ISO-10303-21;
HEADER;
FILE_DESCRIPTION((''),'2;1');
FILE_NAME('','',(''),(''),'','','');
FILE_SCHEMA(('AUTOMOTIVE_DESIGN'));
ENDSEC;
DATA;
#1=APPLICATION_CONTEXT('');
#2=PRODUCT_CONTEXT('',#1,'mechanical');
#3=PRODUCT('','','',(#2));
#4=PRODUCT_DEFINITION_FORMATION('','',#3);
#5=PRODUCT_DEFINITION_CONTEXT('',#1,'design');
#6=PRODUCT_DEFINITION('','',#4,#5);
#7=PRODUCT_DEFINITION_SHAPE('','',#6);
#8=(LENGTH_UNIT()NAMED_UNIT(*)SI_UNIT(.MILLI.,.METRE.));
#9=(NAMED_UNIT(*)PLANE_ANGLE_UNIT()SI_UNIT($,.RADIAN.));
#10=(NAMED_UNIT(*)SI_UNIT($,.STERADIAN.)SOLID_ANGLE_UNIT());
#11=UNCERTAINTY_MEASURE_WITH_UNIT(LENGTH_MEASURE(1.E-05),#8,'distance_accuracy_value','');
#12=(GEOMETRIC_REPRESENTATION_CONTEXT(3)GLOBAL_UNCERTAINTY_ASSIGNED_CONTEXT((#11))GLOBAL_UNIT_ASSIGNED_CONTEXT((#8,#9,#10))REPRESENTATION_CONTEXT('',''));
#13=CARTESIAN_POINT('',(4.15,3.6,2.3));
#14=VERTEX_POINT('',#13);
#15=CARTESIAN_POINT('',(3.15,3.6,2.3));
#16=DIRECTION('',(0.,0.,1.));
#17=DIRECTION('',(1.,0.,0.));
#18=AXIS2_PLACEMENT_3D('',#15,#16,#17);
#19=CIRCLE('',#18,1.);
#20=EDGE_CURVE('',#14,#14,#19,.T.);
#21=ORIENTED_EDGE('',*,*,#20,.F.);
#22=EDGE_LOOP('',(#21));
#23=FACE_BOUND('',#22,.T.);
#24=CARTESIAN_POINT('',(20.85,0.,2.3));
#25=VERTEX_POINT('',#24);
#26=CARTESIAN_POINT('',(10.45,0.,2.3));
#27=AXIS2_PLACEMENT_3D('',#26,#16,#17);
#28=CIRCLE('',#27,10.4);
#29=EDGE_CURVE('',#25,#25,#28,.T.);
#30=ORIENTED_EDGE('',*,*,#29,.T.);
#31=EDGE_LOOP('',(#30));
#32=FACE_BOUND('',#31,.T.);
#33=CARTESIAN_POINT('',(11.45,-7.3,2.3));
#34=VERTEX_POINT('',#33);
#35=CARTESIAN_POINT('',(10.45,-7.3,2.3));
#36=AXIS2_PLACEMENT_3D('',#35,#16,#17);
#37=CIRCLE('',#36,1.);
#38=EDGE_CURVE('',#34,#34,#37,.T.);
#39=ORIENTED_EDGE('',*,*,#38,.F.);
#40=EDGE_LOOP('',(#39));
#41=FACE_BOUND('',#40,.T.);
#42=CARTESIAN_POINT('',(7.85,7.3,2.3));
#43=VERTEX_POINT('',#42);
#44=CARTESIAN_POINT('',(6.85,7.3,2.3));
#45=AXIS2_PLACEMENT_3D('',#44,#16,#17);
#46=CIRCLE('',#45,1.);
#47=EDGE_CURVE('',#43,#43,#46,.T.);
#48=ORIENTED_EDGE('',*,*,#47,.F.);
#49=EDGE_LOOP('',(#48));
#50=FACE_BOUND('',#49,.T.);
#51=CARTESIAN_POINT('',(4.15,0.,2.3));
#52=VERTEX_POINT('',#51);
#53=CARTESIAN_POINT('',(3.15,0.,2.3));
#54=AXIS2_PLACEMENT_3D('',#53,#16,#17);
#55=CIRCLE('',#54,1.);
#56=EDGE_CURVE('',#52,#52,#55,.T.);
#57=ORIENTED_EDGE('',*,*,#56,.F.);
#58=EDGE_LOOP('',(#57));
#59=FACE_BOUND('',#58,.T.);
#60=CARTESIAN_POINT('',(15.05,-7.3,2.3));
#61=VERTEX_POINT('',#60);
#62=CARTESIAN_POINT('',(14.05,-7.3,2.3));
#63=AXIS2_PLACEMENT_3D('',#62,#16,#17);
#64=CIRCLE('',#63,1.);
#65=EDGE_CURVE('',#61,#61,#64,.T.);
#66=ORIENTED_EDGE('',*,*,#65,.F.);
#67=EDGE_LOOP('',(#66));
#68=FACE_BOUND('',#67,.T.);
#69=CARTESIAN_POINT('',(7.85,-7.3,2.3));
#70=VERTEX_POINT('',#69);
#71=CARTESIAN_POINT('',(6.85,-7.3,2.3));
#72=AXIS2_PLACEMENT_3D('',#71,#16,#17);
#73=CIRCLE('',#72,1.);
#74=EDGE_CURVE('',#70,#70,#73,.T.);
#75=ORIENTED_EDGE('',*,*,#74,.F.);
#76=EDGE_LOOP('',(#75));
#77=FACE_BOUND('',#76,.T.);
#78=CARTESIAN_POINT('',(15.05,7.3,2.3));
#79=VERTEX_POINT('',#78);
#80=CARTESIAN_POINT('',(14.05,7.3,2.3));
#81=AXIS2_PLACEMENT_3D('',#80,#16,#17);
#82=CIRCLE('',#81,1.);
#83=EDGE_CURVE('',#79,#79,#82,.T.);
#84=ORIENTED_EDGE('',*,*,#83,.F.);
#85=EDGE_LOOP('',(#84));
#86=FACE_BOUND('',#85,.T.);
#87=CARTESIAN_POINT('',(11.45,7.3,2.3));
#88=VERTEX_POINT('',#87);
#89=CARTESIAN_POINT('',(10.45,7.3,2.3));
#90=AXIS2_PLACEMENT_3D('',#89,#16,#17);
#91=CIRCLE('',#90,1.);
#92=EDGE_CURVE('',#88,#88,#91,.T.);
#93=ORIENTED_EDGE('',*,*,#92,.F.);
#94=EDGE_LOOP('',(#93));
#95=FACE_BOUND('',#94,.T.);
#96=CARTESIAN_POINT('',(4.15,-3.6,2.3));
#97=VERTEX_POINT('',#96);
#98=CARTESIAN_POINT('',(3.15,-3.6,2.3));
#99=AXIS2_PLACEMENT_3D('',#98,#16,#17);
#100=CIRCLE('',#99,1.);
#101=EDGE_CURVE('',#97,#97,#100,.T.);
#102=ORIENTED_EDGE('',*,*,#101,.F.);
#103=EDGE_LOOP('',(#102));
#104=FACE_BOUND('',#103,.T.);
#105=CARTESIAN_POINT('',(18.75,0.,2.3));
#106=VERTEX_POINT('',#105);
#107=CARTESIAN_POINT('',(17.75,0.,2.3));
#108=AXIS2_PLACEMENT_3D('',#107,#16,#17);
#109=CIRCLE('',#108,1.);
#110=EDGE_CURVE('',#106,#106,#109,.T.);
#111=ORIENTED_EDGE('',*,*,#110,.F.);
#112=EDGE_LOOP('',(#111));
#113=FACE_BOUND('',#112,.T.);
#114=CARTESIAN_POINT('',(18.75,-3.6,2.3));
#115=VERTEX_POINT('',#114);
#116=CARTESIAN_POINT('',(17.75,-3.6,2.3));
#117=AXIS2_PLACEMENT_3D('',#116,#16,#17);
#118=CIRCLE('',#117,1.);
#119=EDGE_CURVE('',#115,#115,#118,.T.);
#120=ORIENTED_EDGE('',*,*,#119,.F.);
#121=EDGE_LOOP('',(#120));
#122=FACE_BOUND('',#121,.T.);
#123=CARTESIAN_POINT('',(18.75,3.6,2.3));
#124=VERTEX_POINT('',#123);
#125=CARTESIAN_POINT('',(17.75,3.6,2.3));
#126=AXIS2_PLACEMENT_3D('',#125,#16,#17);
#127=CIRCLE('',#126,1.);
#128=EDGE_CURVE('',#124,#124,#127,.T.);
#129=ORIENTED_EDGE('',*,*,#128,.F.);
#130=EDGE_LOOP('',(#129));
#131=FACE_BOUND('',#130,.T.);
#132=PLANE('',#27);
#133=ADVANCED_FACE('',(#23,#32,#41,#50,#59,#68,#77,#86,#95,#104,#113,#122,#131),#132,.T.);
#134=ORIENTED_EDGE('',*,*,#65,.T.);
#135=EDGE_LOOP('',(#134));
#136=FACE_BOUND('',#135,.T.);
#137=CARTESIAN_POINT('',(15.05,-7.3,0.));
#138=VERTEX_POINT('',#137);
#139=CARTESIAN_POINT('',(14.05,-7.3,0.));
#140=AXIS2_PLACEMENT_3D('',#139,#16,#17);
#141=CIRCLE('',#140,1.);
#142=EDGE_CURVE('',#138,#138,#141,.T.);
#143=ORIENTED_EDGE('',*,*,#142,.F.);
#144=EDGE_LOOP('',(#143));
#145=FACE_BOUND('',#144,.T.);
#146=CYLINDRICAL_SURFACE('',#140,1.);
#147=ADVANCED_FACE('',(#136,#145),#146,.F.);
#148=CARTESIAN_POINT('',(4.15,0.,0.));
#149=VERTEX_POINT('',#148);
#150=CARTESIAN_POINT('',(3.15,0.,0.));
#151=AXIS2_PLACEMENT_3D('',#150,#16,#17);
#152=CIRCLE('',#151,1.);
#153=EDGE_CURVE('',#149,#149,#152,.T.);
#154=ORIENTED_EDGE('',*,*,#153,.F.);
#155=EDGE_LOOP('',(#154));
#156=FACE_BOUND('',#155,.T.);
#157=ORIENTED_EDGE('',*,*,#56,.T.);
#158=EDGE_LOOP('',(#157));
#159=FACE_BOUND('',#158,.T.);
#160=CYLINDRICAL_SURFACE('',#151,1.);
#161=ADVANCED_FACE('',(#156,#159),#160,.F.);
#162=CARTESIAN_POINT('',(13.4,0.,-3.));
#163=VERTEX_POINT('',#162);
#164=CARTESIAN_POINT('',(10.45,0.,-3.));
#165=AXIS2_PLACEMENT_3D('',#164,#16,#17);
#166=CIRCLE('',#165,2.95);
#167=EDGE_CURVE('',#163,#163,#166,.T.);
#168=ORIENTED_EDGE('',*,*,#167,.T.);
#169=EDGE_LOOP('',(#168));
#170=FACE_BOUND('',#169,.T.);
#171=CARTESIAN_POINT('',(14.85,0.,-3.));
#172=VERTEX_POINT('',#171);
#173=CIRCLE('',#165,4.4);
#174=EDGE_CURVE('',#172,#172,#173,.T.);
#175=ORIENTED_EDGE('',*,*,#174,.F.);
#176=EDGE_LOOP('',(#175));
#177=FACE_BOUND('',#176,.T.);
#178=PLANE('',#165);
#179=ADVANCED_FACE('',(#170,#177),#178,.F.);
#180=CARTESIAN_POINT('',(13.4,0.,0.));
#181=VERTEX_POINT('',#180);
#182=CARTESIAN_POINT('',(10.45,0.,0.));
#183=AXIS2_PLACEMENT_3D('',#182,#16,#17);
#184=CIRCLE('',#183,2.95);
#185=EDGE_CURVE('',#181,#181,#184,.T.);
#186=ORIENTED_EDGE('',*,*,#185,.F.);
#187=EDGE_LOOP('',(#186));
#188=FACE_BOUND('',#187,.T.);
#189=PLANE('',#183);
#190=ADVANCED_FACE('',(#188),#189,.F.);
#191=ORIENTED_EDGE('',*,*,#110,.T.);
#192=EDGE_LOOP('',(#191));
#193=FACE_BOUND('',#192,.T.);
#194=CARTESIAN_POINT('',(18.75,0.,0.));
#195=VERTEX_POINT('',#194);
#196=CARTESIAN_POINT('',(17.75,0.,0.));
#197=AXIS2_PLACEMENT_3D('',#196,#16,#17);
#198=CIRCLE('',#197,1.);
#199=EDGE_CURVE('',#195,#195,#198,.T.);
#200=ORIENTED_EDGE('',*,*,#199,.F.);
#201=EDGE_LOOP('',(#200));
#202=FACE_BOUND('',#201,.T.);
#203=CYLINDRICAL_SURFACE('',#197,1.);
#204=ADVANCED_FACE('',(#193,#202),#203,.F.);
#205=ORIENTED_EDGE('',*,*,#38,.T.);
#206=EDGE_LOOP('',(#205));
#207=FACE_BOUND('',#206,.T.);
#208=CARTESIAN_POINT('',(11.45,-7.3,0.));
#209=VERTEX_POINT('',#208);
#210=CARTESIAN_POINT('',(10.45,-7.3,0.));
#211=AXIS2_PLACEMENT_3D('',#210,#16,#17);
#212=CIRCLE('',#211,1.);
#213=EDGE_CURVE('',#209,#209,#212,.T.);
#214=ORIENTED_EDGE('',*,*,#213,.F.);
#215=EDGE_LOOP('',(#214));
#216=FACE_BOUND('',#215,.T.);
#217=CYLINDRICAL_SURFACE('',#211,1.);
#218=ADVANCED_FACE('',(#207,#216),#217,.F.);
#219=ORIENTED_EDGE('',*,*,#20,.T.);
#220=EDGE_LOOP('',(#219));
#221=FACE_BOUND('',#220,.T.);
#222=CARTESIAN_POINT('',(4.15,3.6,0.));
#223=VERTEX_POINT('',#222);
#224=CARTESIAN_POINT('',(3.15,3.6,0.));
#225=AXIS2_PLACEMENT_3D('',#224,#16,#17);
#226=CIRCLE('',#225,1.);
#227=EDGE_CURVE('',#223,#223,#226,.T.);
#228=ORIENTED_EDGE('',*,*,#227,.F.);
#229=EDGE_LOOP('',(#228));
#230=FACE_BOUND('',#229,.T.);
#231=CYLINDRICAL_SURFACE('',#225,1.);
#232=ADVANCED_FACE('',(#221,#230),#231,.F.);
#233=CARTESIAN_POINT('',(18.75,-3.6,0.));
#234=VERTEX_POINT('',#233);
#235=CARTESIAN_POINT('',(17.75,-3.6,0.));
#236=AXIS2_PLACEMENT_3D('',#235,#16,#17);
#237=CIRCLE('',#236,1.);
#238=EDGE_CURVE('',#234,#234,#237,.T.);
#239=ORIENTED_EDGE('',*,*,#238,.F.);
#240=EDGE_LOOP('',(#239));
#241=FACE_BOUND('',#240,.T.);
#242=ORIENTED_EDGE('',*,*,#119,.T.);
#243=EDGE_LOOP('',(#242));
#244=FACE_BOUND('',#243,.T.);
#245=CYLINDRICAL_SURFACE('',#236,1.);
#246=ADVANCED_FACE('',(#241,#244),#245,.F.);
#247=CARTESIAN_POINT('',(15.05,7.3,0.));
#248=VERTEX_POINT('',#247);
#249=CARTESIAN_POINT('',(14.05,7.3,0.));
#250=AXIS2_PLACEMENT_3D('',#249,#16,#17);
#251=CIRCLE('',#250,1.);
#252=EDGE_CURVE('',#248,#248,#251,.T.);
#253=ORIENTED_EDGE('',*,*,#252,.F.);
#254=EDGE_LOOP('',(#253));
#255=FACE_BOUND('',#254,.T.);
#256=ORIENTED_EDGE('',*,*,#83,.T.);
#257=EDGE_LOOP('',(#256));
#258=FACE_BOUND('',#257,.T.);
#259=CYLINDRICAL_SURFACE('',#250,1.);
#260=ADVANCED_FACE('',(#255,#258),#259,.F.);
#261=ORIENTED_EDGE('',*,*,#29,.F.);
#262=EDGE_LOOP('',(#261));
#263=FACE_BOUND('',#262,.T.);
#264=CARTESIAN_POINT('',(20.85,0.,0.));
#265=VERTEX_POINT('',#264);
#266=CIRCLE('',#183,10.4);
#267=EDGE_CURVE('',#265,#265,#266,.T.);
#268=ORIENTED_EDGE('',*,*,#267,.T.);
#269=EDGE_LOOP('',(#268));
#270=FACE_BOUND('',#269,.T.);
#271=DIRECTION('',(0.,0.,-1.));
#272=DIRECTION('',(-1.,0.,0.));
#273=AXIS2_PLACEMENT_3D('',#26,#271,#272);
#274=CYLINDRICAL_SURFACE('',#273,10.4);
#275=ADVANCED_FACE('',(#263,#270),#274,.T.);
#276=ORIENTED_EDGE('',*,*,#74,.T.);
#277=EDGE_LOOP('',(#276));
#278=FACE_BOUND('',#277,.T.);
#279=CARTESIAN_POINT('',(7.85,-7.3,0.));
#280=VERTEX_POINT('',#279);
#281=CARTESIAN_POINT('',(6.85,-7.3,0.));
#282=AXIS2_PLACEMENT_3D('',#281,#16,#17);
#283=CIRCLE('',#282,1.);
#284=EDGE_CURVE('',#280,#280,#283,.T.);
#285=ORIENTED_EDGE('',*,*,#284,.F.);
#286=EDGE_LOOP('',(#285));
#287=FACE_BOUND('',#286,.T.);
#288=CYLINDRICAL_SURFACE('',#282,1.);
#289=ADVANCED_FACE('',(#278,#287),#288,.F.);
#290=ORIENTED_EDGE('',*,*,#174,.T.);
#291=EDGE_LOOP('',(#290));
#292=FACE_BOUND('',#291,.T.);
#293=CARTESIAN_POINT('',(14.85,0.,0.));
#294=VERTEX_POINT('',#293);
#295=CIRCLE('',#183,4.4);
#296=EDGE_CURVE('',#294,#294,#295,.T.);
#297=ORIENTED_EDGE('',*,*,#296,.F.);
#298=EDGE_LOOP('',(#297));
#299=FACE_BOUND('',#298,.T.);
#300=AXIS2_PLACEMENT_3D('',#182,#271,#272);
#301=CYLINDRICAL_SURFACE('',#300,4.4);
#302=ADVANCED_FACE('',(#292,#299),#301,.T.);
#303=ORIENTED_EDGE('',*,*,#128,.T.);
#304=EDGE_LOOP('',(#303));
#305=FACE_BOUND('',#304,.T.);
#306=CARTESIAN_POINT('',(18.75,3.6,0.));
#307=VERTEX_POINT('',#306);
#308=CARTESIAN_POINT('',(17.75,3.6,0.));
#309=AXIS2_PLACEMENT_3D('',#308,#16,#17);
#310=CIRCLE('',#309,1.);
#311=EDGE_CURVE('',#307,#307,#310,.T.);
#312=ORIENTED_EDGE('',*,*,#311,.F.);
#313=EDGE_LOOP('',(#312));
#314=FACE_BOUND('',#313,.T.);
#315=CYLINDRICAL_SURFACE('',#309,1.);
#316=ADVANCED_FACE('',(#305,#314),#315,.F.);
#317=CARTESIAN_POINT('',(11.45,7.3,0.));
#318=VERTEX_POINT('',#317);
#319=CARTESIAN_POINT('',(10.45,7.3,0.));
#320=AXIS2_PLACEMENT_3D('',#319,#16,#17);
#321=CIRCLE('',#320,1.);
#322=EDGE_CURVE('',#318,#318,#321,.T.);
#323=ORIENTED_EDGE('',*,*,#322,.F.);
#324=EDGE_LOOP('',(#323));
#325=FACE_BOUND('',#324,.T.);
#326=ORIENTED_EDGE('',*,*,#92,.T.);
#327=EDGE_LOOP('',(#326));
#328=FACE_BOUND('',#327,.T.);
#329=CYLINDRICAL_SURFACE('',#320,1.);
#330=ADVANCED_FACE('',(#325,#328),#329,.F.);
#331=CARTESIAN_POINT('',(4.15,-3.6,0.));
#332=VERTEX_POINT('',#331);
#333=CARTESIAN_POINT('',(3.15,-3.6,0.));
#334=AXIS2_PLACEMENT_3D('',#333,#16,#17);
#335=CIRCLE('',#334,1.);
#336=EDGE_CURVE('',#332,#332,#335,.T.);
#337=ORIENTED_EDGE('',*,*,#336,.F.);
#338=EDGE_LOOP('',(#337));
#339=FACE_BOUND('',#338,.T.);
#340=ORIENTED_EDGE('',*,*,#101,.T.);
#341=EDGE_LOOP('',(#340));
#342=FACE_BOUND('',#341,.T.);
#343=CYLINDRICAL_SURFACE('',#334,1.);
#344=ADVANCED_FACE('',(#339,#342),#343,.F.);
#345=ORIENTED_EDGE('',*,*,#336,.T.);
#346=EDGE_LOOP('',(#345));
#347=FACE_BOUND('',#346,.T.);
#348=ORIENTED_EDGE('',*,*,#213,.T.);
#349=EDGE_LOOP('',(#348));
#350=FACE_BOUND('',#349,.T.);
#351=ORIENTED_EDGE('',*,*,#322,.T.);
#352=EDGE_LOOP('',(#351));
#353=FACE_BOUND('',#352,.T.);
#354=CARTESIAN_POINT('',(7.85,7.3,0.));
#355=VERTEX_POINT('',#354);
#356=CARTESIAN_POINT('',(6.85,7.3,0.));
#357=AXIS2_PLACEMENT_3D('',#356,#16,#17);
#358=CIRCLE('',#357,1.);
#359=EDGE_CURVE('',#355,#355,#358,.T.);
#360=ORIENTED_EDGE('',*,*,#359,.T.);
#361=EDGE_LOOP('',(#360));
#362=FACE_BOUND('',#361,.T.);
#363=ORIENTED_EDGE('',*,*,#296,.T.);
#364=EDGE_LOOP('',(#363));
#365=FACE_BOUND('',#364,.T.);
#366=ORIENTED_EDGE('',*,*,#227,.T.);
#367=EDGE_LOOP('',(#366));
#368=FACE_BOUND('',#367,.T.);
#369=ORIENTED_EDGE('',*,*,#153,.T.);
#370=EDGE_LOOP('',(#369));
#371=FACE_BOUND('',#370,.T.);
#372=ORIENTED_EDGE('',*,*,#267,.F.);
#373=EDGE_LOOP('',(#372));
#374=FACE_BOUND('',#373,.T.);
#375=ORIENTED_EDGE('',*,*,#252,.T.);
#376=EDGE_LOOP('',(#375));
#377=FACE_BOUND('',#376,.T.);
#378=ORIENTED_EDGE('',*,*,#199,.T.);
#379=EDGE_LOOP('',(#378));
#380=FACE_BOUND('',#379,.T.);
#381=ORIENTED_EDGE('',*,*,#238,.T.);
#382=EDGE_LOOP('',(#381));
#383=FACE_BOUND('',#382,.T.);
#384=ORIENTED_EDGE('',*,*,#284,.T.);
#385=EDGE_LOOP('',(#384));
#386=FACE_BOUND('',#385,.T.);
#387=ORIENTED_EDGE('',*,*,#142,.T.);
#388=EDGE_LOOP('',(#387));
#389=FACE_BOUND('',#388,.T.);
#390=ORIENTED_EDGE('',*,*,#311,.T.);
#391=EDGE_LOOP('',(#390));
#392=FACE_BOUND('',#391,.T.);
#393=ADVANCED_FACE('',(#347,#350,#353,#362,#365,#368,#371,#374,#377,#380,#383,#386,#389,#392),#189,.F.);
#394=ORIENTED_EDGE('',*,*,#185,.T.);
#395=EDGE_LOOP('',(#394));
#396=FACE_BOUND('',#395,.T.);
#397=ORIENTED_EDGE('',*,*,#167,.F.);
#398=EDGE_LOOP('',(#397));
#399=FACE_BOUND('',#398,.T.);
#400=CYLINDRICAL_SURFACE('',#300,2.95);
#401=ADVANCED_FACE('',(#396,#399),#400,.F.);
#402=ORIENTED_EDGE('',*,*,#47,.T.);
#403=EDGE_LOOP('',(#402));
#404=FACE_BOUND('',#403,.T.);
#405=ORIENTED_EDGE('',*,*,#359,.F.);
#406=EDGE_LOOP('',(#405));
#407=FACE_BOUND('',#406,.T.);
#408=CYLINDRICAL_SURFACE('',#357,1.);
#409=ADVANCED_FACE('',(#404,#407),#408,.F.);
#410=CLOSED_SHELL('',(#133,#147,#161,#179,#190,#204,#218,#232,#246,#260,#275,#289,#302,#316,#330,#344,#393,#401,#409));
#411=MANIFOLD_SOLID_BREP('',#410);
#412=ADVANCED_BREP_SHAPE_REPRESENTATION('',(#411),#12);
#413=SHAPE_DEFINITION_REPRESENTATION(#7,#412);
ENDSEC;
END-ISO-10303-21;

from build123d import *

# Parameters (mm, degrees)
EXTRUDE_START       = 1
SKETCH_2_R          = 4.4
SKETCH_2_R_2        = 2.95
EXTRUDE_2_DEPTH     = 3
SKETCH_3_R          = 10.4
EXTRUDE_3_DEPTH     = 2.3
SKETCH_5_R          = 1
CUT_EXTRUDE_1_DEPTH = 2.3


with BuildPart() as part:
    # 스케치2 → 보스-돌출2 (new body)
    with BuildSketch(Plane.XY.offset(-4).offset(EXTRUDE_START)):
        with Locations((10.45, 0)):
            Circle(SKETCH_2_R)
        with Locations((10.45, 0)):
            Circle(SKETCH_2_R_2, mode=Mode.SUBTRACT)
    extrude(amount=EXTRUDE_2_DEPTH)

    # 스케치3 → 보스-돌출3 (add)
    with BuildSketch(Plane.XY):
        with Locations((10.45, 0)):
            Circle(SKETCH_3_R)
    extrude(amount=EXTRUDE_3_DEPTH)

    # 스케치5 → 컷-돌출1 (cut)
    with BuildSketch(Plane.XY.offset(2.3)):
        with Locations((10.45, 7.3)):
            Circle(SKETCH_5_R)
        with Locations((14.05, 7.3)):
            Circle(SKETCH_5_R)
        with Locations((6.85, 7.3)):
            Circle(SKETCH_5_R)
        with Locations((3.15, 0)):
            Circle(SKETCH_5_R)
        with Locations((3.15, 3.6)):
            Circle(SKETCH_5_R)
        with Locations((3.15, -3.6)):
            Circle(SKETCH_5_R)
        with Locations((10.45, -7.3)):
            Circle(SKETCH_5_R)
        with Locations((6.85, -7.3)):
            Circle(SKETCH_5_R)
        with Locations((14.05, -7.3)):
            Circle(SKETCH_5_R)
        with Locations((17.75, 0)):
            Circle(SKETCH_5_R)
        with Locations((17.75, -3.6)):
            Circle(SKETCH_5_R)
        with Locations((17.75, 3.6)):
            Circle(SKETCH_5_R)
    extrude(amount=-CUT_EXTRUDE_1_DEPTH, mode=Mode.SUBTRACT)


solid = part.part
